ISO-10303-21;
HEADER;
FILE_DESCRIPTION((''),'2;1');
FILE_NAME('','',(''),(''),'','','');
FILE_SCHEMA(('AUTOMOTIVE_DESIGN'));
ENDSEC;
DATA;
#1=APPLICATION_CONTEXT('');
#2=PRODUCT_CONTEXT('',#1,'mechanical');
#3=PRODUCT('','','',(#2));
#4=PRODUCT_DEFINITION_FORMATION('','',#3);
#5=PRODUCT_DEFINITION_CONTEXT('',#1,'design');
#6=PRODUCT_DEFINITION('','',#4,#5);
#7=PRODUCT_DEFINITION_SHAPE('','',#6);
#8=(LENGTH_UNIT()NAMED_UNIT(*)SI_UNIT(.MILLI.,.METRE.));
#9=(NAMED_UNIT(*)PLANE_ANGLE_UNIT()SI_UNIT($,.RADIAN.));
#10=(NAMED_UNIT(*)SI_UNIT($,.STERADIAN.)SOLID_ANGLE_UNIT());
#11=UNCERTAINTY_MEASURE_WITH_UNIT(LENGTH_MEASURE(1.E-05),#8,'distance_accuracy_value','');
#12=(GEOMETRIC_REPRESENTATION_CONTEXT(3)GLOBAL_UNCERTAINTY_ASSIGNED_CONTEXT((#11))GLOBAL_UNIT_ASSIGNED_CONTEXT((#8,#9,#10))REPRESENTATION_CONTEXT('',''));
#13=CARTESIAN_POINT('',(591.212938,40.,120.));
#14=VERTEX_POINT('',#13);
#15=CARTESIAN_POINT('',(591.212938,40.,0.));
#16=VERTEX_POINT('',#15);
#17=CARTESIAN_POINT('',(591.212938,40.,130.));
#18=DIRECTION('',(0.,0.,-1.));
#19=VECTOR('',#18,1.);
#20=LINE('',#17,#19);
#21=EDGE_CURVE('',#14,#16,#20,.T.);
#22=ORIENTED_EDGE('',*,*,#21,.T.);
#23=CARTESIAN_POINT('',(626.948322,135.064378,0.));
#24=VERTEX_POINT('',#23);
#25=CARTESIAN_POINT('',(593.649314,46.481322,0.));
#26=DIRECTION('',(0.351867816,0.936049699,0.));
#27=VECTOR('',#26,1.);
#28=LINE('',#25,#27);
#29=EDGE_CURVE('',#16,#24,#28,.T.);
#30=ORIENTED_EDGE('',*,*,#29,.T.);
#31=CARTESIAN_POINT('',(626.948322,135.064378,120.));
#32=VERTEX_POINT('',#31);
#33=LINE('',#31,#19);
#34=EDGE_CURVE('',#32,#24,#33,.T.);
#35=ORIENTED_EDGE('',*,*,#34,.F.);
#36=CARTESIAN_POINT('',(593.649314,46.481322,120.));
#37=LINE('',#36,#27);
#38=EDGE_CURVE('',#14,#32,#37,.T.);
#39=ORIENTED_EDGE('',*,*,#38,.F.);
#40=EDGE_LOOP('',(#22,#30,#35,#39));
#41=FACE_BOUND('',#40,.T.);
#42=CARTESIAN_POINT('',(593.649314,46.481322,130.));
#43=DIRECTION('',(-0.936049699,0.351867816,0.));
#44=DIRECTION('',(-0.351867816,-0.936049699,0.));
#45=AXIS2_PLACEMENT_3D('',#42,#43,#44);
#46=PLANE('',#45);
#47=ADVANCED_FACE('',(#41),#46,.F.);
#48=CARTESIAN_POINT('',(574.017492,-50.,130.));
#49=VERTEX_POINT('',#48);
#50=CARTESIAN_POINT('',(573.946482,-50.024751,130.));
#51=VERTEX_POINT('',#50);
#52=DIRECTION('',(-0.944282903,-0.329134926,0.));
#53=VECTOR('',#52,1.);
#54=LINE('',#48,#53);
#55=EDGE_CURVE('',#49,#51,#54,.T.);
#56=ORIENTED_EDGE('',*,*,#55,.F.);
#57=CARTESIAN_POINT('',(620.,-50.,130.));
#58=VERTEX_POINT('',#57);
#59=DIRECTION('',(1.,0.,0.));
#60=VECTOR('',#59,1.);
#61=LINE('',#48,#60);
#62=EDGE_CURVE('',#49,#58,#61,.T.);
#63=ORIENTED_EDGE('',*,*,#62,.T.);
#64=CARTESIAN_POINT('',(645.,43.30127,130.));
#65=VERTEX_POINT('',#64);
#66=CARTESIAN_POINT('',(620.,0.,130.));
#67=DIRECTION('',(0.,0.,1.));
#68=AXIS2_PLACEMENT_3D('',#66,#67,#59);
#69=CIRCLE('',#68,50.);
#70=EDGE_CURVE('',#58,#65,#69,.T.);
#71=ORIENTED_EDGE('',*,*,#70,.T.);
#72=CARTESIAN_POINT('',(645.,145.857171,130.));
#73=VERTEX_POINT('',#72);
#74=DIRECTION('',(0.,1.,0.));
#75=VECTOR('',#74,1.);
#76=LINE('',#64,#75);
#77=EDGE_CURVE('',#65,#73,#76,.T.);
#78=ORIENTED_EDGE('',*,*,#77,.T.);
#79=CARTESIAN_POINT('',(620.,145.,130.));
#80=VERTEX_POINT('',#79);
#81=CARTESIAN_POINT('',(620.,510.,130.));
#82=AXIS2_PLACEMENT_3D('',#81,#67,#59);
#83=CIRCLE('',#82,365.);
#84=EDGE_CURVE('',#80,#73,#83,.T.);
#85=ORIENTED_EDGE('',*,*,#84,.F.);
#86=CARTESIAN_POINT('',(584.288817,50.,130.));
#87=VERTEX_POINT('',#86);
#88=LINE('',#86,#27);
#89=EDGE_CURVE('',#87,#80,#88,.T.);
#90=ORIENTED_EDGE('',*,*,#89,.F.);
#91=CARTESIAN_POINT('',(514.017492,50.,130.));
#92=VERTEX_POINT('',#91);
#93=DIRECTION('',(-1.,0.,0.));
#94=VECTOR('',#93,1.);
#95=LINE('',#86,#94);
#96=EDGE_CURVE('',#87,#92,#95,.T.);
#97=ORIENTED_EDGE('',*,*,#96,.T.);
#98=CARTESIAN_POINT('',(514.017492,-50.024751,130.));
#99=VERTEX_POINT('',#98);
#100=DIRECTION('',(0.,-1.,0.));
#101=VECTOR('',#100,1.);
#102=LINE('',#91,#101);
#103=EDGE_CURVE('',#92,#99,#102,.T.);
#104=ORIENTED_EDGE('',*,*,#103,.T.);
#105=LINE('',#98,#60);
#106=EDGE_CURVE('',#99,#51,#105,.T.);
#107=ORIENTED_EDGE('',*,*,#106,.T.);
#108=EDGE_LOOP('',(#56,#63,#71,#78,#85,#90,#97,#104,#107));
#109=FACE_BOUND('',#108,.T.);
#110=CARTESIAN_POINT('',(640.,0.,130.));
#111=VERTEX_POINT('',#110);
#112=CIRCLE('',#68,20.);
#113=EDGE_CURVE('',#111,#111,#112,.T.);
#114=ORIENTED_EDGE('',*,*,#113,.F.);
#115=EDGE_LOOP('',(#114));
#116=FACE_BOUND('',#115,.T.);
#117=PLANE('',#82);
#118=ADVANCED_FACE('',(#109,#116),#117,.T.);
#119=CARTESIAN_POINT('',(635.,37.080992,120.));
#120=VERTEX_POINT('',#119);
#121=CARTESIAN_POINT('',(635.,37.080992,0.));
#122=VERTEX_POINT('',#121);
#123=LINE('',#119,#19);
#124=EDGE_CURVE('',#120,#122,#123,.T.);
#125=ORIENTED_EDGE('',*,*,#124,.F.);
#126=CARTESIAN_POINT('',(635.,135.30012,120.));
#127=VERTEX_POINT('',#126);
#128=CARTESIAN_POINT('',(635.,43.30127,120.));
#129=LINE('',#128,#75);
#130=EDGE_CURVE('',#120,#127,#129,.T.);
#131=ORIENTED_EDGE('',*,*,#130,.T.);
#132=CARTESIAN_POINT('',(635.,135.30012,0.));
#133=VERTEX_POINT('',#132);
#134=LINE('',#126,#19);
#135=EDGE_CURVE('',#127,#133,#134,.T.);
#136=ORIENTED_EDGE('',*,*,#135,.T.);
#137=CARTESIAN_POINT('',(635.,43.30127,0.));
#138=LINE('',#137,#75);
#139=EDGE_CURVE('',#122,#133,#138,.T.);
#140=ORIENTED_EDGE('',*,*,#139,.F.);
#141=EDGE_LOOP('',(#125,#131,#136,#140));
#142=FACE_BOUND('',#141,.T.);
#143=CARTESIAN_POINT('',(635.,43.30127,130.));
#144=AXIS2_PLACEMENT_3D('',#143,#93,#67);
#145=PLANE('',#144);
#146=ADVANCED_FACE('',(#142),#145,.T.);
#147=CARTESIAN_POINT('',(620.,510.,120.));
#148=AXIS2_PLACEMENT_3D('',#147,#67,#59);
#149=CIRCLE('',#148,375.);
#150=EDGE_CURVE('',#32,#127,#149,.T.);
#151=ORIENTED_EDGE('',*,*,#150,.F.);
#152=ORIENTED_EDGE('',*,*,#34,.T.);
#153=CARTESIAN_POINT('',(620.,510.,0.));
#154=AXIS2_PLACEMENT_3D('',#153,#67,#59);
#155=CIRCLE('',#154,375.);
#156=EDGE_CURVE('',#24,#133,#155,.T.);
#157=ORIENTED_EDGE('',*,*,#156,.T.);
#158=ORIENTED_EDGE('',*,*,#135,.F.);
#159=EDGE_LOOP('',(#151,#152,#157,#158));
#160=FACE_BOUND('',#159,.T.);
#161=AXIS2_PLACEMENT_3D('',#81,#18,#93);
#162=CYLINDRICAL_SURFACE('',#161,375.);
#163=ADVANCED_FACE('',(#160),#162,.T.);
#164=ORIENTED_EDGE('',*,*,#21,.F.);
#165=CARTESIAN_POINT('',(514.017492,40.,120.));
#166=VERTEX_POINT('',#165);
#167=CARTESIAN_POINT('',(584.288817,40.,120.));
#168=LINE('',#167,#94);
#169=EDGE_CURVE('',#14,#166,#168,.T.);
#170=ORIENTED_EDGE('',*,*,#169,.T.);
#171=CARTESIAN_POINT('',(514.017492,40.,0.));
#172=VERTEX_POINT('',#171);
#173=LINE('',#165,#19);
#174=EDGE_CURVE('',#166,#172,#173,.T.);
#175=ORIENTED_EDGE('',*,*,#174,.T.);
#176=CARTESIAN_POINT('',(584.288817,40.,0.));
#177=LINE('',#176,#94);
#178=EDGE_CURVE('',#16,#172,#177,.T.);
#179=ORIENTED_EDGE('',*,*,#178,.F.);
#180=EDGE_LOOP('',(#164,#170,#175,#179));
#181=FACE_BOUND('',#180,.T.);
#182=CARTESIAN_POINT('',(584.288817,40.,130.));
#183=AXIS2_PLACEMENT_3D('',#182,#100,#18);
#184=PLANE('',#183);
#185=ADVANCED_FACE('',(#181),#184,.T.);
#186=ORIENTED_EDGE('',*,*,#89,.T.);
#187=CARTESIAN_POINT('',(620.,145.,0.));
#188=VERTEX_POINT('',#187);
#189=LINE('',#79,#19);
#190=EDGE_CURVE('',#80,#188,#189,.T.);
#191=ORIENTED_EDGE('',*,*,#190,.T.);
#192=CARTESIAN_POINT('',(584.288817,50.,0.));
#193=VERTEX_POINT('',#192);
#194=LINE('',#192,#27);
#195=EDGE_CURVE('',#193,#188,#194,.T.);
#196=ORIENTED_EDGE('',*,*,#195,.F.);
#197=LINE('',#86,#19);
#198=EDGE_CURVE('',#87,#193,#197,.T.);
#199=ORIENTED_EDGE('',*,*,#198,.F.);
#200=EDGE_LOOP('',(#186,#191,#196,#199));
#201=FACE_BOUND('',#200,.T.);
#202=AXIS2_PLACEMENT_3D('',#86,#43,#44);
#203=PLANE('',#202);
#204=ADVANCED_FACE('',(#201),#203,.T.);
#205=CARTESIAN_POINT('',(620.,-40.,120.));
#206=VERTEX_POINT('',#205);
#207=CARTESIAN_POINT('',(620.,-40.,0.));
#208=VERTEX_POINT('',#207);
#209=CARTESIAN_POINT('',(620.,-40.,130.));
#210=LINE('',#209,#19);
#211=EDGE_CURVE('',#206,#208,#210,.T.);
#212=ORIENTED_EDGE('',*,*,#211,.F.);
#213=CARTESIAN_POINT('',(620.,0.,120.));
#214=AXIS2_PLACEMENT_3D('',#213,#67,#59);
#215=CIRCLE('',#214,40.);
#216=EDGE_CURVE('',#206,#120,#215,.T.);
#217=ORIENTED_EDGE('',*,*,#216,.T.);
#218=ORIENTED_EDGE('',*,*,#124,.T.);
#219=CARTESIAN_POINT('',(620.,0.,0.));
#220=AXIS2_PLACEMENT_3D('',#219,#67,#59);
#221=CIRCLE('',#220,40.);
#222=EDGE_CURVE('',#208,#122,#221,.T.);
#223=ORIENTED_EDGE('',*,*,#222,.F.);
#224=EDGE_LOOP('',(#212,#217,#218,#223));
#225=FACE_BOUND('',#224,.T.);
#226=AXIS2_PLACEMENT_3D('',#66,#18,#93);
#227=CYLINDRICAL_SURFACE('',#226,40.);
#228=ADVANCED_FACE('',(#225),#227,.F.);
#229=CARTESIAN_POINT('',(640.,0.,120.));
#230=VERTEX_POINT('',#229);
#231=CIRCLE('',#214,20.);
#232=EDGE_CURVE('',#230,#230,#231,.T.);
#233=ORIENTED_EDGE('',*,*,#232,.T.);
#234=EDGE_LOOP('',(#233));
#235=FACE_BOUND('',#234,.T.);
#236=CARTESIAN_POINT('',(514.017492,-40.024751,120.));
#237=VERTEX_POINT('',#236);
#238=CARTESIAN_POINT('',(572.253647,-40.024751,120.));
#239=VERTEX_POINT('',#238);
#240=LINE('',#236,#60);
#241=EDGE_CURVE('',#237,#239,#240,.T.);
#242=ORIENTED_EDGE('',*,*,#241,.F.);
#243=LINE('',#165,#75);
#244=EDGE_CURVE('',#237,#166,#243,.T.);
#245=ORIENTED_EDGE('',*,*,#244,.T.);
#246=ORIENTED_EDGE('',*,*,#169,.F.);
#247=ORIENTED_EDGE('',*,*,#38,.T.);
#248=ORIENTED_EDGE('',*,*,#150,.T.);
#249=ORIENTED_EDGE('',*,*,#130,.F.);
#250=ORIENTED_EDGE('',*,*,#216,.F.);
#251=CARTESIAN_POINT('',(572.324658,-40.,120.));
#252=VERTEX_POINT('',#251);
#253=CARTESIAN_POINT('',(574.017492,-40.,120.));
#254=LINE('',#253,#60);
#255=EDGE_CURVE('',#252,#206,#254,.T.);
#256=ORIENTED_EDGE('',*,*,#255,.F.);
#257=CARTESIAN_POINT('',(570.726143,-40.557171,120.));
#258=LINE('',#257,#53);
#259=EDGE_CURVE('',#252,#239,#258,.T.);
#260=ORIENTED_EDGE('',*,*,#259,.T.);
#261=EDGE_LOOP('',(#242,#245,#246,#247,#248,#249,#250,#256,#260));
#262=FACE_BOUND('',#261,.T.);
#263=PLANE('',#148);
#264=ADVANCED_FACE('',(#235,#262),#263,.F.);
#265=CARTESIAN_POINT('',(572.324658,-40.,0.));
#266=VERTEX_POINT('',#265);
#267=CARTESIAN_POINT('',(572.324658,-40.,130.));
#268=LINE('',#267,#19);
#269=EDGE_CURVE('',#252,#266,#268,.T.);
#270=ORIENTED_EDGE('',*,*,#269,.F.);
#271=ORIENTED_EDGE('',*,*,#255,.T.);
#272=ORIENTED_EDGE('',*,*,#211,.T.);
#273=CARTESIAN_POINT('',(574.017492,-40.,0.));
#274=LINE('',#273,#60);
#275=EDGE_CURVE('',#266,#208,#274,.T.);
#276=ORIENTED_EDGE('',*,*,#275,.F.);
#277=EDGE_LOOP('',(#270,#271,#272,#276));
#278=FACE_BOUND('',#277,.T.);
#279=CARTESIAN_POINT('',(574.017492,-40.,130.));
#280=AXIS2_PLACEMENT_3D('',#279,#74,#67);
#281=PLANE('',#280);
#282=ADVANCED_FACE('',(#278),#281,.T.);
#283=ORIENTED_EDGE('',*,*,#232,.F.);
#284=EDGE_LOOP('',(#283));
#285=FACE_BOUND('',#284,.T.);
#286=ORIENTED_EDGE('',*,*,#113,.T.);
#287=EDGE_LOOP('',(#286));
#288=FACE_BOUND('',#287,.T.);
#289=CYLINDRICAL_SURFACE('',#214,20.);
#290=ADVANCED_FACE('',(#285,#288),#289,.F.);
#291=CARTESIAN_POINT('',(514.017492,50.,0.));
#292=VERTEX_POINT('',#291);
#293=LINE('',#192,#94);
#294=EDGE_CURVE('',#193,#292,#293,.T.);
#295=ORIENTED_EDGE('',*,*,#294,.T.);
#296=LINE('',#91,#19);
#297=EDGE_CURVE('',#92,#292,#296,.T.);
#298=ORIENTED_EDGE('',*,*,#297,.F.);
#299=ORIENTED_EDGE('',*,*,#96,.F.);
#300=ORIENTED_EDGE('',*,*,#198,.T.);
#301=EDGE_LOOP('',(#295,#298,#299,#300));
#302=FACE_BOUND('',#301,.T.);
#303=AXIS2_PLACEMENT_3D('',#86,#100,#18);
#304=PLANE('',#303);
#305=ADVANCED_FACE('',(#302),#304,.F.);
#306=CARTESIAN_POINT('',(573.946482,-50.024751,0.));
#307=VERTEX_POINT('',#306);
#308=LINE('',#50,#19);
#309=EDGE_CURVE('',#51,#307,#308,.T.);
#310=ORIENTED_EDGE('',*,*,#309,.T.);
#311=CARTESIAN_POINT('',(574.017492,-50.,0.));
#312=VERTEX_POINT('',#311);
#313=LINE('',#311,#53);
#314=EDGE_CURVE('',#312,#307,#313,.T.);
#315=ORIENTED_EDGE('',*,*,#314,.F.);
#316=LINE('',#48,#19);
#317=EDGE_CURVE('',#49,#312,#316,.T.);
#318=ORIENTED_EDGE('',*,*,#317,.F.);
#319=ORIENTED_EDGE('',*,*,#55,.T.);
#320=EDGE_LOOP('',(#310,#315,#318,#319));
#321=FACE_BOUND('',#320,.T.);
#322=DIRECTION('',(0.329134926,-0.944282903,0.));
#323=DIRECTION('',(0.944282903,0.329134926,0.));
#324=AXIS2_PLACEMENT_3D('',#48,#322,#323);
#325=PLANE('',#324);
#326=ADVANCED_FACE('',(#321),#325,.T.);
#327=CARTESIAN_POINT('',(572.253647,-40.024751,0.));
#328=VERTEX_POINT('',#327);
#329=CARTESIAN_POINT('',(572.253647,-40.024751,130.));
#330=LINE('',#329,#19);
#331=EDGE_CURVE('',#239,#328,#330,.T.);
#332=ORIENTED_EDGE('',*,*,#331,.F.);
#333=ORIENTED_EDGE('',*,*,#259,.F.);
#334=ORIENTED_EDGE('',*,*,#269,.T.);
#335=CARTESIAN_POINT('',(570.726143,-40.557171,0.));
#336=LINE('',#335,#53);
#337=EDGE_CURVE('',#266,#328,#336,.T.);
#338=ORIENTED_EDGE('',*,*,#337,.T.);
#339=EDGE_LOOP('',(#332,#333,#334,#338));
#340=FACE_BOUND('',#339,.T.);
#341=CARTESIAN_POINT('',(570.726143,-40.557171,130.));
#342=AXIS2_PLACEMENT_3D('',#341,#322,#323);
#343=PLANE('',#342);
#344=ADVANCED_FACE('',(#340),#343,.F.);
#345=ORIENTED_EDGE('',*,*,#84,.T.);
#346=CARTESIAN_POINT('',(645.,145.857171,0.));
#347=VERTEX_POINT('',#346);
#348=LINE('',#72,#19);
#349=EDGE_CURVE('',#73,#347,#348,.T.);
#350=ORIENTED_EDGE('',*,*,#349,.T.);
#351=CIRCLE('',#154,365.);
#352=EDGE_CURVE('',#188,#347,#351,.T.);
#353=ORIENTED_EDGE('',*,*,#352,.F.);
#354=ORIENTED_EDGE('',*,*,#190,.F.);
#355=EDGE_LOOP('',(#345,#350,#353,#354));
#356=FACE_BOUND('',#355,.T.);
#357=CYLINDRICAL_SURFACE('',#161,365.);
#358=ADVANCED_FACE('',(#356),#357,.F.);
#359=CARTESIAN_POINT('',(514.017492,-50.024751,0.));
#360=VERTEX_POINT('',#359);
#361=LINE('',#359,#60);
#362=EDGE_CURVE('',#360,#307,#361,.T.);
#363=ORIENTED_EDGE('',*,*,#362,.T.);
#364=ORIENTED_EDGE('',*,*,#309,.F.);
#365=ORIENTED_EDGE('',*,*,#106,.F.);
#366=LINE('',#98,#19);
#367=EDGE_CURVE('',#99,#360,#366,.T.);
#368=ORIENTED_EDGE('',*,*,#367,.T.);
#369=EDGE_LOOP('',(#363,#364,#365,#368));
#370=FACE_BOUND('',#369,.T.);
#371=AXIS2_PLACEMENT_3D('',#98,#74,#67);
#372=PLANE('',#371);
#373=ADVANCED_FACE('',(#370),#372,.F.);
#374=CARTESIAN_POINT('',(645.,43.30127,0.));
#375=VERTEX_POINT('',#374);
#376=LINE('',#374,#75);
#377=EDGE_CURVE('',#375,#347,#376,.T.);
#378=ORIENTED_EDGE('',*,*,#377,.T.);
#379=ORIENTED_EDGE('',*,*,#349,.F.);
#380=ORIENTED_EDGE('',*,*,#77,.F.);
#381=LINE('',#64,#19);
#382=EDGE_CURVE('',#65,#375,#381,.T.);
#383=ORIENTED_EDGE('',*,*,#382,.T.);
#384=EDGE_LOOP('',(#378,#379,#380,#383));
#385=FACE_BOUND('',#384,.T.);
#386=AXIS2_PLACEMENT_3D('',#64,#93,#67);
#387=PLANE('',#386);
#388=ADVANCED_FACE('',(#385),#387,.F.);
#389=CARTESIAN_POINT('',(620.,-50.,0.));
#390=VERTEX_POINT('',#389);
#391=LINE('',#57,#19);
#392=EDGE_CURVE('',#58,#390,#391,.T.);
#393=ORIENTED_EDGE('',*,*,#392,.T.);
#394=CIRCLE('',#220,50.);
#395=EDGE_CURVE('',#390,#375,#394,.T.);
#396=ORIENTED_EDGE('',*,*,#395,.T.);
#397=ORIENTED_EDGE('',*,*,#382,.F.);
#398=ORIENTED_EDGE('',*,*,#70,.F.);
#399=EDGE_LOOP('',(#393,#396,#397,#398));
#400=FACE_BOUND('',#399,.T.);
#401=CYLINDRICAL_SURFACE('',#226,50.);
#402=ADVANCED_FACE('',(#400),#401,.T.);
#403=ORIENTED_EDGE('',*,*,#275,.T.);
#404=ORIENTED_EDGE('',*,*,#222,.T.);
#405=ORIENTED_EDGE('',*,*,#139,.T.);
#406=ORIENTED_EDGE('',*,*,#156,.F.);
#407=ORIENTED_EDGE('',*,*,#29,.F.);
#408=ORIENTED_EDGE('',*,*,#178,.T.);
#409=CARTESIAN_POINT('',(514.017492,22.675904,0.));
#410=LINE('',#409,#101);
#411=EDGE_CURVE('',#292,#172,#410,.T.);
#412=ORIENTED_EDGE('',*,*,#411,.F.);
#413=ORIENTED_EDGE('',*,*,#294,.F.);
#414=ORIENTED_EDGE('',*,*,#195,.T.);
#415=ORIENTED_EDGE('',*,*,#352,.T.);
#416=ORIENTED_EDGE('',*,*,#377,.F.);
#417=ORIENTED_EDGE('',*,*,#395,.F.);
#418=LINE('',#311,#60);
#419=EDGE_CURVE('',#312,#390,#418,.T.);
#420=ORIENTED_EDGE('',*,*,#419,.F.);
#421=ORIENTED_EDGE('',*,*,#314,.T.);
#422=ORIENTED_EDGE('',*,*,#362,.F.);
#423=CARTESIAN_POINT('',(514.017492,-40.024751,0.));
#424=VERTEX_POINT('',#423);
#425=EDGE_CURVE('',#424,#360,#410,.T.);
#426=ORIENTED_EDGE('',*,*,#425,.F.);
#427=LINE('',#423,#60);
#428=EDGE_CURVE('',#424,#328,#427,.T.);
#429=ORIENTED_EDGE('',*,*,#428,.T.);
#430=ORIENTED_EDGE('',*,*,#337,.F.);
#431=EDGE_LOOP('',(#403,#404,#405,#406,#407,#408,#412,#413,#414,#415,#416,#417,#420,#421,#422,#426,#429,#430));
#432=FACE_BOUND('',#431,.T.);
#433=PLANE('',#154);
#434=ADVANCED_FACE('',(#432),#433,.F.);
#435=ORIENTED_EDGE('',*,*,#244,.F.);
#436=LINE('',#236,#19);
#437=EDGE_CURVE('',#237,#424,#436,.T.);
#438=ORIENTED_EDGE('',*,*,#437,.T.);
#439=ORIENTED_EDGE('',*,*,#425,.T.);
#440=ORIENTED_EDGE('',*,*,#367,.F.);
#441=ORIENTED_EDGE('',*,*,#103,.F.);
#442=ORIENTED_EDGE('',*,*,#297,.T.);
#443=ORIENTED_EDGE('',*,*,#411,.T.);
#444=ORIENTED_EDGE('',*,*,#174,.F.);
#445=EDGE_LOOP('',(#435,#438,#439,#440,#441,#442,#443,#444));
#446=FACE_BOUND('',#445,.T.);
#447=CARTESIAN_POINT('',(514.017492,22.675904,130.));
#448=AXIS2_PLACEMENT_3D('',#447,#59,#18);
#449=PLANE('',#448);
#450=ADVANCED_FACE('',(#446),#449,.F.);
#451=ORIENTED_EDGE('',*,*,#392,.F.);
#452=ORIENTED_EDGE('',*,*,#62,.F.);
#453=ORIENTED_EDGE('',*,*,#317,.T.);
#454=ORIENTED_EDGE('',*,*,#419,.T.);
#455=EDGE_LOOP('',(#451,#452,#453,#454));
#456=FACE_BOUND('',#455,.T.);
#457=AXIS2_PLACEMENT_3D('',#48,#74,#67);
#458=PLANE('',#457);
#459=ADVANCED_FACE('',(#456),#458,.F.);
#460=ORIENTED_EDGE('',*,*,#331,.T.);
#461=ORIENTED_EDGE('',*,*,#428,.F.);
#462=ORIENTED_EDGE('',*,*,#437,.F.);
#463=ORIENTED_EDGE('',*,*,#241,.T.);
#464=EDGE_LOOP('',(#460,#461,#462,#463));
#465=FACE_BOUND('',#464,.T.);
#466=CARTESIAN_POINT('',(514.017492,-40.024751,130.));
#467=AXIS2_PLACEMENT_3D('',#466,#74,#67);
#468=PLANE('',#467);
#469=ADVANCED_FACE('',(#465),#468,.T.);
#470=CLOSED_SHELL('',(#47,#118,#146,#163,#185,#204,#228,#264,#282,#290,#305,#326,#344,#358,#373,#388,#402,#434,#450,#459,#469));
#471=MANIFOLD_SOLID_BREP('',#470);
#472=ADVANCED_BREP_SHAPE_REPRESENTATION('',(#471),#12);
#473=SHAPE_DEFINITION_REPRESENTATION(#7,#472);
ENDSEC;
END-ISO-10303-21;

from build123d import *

# Parameters (mm, degrees)
EXTRUDE_1_DEPTH     = 130
SHELL_2_T           = -10
SKETCH_2_W          = 10
SKETCH_2_H          = 80.0247511
CUT_EXTRUDE_1_DEPTH = 120
SKETCH_3_R          = 20
CUT_EXTRUDE_2_DEPTH = 10


with BuildPart() as part:
    # 草图1 → 凸台-拉伸1 (new body)
    with BuildSketch(Plane.XY):
        with BuildLine():
            Line((574.017492235, -50), (620, -50))
            ThreePointArc((620, -50), (668.296291314, -12.940952255), (645, 43.301270189))
            Line((645, 43.301270189), (645, 145.857170879))
            ThreePointArc((645, 145.857170879), (632.507345261, 145.214355663), (620, 145))
            Line((620, 145), (584.288816548, 50))
            Line((584.288816548, 50), (514.017492235, 50))
            Line((514.017492235, 50), (514.017492235, 22.675903866))
            Line((514.017492235, 22.675903866), (514.017492235, -50.0247511))
            Line((514.017492235, -50.0247511), (573.94648172, -50.0247511))
            Line((573.94648172, -50.0247511), (574.017492235, -50))
        make_face()
    extrude(amount=EXTRUDE_1_DEPTH)

    # 抽壳2
    shell_2_openings = [part.faces().sort_by_distance(p)[0] for p in [
        (594.932550523, 20.025269894, 0),
    ]]
    offset(amount=SHELL_2_T, openings=shell_2_openings, kind=Kind.INTERSECTION)

    # 草图2 → 切除-拉伸1 (cut)
    with BuildSketch(Plane(origin=(0, 0, 0), x_dir=(-1, 0, 0), z_dir=(0, 0, -1))):
        with Locations((-519.017492235, -0.01237555)):
            Rectangle(SKETCH_2_W, SKETCH_2_H)
    extrude(amount=-CUT_EXTRUDE_1_DEPTH, mode=Mode.SUBTRACT)

    # 草图3 → 切除-拉伸2 (cut)
    with BuildSketch(Plane.XY.offset(130)):
        with Locations((620, 0)):
            Circle(SKETCH_3_R)
    extrude(amount=-CUT_EXTRUDE_2_DEPTH, mode=Mode.SUBTRACT)


solid = part.part
